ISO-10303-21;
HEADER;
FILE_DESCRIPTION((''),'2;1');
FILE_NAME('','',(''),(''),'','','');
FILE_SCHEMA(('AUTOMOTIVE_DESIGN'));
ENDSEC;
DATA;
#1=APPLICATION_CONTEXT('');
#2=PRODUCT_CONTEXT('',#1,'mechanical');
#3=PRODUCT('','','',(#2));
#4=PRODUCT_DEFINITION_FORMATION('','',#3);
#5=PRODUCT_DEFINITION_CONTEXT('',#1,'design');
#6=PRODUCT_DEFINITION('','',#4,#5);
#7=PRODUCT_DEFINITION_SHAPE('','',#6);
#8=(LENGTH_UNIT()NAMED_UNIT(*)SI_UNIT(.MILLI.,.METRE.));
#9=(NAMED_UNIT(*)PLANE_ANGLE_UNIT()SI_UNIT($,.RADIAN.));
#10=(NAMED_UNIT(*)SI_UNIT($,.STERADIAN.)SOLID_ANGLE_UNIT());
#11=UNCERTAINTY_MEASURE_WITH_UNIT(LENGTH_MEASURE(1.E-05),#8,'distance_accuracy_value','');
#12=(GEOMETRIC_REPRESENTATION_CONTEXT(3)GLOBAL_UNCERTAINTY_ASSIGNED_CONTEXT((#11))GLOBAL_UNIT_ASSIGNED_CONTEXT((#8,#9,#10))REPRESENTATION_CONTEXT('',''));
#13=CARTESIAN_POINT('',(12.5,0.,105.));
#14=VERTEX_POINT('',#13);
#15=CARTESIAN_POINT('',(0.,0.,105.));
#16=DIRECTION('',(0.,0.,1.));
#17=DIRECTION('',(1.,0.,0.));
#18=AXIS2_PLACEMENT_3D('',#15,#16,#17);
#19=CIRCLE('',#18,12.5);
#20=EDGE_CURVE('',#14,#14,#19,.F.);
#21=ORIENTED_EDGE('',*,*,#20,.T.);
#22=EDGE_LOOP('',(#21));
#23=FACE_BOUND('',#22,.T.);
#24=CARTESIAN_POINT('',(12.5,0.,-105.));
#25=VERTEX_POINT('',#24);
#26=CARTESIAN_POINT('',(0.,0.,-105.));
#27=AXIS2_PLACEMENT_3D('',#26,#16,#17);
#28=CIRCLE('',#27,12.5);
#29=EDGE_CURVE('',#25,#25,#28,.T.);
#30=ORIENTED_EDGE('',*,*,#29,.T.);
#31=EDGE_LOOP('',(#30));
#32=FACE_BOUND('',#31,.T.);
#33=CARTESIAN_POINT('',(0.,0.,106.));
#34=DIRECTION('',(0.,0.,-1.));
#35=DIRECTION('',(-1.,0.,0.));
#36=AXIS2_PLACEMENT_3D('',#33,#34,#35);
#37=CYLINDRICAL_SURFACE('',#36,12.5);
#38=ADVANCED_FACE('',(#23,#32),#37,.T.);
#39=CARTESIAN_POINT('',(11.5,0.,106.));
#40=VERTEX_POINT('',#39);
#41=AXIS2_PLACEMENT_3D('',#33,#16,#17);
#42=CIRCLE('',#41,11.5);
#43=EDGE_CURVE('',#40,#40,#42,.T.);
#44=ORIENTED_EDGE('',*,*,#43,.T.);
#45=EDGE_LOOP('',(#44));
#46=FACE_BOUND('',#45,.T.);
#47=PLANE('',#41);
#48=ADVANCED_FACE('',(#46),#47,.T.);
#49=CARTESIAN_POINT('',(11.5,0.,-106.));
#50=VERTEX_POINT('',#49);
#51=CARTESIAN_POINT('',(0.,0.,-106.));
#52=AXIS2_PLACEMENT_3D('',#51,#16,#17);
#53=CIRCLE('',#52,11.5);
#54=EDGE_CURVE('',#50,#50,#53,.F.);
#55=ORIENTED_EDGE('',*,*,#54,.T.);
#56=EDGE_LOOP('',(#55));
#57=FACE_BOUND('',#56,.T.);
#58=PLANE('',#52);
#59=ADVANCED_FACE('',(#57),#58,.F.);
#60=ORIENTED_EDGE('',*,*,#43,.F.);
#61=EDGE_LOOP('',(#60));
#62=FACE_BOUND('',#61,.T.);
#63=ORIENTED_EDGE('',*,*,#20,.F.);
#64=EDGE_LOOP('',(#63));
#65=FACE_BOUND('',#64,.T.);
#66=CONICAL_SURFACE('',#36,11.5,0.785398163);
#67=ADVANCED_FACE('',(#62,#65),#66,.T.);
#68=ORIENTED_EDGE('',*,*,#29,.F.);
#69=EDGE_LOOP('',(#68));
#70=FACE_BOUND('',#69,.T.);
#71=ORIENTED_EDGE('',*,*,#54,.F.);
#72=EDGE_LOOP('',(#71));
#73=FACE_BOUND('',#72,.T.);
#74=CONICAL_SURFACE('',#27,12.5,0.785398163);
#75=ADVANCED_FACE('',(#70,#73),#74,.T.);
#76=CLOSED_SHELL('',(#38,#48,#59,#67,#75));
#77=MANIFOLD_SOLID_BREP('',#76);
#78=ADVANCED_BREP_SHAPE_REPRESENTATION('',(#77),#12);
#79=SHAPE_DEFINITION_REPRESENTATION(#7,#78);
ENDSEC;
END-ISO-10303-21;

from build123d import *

# Parameters (mm, degrees)
SKETCH_1_R      = 12.5
EXTRUDE_1_DEPTH = 106
CHAMFER_1_SIZE  = 1


with BuildPart() as part:
    # 草图1 → 凸台-拉伸1 (new, symmetric)
    with BuildSketch(Plane.XY):
        Circle(SKETCH_1_R)
    extrude(amount=EXTRUDE_1_DEPTH, both=True)

    # 倒角1
    chamfer_1_edges = [part.edges().sort_by_distance(p)[0] for p in [
        (-12.5, 0, -106),
        (-12.5, 0, 106),
    ]]
    chamfer(chamfer_1_edges, length=CHAMFER_1_SIZE)


solid = part.part
